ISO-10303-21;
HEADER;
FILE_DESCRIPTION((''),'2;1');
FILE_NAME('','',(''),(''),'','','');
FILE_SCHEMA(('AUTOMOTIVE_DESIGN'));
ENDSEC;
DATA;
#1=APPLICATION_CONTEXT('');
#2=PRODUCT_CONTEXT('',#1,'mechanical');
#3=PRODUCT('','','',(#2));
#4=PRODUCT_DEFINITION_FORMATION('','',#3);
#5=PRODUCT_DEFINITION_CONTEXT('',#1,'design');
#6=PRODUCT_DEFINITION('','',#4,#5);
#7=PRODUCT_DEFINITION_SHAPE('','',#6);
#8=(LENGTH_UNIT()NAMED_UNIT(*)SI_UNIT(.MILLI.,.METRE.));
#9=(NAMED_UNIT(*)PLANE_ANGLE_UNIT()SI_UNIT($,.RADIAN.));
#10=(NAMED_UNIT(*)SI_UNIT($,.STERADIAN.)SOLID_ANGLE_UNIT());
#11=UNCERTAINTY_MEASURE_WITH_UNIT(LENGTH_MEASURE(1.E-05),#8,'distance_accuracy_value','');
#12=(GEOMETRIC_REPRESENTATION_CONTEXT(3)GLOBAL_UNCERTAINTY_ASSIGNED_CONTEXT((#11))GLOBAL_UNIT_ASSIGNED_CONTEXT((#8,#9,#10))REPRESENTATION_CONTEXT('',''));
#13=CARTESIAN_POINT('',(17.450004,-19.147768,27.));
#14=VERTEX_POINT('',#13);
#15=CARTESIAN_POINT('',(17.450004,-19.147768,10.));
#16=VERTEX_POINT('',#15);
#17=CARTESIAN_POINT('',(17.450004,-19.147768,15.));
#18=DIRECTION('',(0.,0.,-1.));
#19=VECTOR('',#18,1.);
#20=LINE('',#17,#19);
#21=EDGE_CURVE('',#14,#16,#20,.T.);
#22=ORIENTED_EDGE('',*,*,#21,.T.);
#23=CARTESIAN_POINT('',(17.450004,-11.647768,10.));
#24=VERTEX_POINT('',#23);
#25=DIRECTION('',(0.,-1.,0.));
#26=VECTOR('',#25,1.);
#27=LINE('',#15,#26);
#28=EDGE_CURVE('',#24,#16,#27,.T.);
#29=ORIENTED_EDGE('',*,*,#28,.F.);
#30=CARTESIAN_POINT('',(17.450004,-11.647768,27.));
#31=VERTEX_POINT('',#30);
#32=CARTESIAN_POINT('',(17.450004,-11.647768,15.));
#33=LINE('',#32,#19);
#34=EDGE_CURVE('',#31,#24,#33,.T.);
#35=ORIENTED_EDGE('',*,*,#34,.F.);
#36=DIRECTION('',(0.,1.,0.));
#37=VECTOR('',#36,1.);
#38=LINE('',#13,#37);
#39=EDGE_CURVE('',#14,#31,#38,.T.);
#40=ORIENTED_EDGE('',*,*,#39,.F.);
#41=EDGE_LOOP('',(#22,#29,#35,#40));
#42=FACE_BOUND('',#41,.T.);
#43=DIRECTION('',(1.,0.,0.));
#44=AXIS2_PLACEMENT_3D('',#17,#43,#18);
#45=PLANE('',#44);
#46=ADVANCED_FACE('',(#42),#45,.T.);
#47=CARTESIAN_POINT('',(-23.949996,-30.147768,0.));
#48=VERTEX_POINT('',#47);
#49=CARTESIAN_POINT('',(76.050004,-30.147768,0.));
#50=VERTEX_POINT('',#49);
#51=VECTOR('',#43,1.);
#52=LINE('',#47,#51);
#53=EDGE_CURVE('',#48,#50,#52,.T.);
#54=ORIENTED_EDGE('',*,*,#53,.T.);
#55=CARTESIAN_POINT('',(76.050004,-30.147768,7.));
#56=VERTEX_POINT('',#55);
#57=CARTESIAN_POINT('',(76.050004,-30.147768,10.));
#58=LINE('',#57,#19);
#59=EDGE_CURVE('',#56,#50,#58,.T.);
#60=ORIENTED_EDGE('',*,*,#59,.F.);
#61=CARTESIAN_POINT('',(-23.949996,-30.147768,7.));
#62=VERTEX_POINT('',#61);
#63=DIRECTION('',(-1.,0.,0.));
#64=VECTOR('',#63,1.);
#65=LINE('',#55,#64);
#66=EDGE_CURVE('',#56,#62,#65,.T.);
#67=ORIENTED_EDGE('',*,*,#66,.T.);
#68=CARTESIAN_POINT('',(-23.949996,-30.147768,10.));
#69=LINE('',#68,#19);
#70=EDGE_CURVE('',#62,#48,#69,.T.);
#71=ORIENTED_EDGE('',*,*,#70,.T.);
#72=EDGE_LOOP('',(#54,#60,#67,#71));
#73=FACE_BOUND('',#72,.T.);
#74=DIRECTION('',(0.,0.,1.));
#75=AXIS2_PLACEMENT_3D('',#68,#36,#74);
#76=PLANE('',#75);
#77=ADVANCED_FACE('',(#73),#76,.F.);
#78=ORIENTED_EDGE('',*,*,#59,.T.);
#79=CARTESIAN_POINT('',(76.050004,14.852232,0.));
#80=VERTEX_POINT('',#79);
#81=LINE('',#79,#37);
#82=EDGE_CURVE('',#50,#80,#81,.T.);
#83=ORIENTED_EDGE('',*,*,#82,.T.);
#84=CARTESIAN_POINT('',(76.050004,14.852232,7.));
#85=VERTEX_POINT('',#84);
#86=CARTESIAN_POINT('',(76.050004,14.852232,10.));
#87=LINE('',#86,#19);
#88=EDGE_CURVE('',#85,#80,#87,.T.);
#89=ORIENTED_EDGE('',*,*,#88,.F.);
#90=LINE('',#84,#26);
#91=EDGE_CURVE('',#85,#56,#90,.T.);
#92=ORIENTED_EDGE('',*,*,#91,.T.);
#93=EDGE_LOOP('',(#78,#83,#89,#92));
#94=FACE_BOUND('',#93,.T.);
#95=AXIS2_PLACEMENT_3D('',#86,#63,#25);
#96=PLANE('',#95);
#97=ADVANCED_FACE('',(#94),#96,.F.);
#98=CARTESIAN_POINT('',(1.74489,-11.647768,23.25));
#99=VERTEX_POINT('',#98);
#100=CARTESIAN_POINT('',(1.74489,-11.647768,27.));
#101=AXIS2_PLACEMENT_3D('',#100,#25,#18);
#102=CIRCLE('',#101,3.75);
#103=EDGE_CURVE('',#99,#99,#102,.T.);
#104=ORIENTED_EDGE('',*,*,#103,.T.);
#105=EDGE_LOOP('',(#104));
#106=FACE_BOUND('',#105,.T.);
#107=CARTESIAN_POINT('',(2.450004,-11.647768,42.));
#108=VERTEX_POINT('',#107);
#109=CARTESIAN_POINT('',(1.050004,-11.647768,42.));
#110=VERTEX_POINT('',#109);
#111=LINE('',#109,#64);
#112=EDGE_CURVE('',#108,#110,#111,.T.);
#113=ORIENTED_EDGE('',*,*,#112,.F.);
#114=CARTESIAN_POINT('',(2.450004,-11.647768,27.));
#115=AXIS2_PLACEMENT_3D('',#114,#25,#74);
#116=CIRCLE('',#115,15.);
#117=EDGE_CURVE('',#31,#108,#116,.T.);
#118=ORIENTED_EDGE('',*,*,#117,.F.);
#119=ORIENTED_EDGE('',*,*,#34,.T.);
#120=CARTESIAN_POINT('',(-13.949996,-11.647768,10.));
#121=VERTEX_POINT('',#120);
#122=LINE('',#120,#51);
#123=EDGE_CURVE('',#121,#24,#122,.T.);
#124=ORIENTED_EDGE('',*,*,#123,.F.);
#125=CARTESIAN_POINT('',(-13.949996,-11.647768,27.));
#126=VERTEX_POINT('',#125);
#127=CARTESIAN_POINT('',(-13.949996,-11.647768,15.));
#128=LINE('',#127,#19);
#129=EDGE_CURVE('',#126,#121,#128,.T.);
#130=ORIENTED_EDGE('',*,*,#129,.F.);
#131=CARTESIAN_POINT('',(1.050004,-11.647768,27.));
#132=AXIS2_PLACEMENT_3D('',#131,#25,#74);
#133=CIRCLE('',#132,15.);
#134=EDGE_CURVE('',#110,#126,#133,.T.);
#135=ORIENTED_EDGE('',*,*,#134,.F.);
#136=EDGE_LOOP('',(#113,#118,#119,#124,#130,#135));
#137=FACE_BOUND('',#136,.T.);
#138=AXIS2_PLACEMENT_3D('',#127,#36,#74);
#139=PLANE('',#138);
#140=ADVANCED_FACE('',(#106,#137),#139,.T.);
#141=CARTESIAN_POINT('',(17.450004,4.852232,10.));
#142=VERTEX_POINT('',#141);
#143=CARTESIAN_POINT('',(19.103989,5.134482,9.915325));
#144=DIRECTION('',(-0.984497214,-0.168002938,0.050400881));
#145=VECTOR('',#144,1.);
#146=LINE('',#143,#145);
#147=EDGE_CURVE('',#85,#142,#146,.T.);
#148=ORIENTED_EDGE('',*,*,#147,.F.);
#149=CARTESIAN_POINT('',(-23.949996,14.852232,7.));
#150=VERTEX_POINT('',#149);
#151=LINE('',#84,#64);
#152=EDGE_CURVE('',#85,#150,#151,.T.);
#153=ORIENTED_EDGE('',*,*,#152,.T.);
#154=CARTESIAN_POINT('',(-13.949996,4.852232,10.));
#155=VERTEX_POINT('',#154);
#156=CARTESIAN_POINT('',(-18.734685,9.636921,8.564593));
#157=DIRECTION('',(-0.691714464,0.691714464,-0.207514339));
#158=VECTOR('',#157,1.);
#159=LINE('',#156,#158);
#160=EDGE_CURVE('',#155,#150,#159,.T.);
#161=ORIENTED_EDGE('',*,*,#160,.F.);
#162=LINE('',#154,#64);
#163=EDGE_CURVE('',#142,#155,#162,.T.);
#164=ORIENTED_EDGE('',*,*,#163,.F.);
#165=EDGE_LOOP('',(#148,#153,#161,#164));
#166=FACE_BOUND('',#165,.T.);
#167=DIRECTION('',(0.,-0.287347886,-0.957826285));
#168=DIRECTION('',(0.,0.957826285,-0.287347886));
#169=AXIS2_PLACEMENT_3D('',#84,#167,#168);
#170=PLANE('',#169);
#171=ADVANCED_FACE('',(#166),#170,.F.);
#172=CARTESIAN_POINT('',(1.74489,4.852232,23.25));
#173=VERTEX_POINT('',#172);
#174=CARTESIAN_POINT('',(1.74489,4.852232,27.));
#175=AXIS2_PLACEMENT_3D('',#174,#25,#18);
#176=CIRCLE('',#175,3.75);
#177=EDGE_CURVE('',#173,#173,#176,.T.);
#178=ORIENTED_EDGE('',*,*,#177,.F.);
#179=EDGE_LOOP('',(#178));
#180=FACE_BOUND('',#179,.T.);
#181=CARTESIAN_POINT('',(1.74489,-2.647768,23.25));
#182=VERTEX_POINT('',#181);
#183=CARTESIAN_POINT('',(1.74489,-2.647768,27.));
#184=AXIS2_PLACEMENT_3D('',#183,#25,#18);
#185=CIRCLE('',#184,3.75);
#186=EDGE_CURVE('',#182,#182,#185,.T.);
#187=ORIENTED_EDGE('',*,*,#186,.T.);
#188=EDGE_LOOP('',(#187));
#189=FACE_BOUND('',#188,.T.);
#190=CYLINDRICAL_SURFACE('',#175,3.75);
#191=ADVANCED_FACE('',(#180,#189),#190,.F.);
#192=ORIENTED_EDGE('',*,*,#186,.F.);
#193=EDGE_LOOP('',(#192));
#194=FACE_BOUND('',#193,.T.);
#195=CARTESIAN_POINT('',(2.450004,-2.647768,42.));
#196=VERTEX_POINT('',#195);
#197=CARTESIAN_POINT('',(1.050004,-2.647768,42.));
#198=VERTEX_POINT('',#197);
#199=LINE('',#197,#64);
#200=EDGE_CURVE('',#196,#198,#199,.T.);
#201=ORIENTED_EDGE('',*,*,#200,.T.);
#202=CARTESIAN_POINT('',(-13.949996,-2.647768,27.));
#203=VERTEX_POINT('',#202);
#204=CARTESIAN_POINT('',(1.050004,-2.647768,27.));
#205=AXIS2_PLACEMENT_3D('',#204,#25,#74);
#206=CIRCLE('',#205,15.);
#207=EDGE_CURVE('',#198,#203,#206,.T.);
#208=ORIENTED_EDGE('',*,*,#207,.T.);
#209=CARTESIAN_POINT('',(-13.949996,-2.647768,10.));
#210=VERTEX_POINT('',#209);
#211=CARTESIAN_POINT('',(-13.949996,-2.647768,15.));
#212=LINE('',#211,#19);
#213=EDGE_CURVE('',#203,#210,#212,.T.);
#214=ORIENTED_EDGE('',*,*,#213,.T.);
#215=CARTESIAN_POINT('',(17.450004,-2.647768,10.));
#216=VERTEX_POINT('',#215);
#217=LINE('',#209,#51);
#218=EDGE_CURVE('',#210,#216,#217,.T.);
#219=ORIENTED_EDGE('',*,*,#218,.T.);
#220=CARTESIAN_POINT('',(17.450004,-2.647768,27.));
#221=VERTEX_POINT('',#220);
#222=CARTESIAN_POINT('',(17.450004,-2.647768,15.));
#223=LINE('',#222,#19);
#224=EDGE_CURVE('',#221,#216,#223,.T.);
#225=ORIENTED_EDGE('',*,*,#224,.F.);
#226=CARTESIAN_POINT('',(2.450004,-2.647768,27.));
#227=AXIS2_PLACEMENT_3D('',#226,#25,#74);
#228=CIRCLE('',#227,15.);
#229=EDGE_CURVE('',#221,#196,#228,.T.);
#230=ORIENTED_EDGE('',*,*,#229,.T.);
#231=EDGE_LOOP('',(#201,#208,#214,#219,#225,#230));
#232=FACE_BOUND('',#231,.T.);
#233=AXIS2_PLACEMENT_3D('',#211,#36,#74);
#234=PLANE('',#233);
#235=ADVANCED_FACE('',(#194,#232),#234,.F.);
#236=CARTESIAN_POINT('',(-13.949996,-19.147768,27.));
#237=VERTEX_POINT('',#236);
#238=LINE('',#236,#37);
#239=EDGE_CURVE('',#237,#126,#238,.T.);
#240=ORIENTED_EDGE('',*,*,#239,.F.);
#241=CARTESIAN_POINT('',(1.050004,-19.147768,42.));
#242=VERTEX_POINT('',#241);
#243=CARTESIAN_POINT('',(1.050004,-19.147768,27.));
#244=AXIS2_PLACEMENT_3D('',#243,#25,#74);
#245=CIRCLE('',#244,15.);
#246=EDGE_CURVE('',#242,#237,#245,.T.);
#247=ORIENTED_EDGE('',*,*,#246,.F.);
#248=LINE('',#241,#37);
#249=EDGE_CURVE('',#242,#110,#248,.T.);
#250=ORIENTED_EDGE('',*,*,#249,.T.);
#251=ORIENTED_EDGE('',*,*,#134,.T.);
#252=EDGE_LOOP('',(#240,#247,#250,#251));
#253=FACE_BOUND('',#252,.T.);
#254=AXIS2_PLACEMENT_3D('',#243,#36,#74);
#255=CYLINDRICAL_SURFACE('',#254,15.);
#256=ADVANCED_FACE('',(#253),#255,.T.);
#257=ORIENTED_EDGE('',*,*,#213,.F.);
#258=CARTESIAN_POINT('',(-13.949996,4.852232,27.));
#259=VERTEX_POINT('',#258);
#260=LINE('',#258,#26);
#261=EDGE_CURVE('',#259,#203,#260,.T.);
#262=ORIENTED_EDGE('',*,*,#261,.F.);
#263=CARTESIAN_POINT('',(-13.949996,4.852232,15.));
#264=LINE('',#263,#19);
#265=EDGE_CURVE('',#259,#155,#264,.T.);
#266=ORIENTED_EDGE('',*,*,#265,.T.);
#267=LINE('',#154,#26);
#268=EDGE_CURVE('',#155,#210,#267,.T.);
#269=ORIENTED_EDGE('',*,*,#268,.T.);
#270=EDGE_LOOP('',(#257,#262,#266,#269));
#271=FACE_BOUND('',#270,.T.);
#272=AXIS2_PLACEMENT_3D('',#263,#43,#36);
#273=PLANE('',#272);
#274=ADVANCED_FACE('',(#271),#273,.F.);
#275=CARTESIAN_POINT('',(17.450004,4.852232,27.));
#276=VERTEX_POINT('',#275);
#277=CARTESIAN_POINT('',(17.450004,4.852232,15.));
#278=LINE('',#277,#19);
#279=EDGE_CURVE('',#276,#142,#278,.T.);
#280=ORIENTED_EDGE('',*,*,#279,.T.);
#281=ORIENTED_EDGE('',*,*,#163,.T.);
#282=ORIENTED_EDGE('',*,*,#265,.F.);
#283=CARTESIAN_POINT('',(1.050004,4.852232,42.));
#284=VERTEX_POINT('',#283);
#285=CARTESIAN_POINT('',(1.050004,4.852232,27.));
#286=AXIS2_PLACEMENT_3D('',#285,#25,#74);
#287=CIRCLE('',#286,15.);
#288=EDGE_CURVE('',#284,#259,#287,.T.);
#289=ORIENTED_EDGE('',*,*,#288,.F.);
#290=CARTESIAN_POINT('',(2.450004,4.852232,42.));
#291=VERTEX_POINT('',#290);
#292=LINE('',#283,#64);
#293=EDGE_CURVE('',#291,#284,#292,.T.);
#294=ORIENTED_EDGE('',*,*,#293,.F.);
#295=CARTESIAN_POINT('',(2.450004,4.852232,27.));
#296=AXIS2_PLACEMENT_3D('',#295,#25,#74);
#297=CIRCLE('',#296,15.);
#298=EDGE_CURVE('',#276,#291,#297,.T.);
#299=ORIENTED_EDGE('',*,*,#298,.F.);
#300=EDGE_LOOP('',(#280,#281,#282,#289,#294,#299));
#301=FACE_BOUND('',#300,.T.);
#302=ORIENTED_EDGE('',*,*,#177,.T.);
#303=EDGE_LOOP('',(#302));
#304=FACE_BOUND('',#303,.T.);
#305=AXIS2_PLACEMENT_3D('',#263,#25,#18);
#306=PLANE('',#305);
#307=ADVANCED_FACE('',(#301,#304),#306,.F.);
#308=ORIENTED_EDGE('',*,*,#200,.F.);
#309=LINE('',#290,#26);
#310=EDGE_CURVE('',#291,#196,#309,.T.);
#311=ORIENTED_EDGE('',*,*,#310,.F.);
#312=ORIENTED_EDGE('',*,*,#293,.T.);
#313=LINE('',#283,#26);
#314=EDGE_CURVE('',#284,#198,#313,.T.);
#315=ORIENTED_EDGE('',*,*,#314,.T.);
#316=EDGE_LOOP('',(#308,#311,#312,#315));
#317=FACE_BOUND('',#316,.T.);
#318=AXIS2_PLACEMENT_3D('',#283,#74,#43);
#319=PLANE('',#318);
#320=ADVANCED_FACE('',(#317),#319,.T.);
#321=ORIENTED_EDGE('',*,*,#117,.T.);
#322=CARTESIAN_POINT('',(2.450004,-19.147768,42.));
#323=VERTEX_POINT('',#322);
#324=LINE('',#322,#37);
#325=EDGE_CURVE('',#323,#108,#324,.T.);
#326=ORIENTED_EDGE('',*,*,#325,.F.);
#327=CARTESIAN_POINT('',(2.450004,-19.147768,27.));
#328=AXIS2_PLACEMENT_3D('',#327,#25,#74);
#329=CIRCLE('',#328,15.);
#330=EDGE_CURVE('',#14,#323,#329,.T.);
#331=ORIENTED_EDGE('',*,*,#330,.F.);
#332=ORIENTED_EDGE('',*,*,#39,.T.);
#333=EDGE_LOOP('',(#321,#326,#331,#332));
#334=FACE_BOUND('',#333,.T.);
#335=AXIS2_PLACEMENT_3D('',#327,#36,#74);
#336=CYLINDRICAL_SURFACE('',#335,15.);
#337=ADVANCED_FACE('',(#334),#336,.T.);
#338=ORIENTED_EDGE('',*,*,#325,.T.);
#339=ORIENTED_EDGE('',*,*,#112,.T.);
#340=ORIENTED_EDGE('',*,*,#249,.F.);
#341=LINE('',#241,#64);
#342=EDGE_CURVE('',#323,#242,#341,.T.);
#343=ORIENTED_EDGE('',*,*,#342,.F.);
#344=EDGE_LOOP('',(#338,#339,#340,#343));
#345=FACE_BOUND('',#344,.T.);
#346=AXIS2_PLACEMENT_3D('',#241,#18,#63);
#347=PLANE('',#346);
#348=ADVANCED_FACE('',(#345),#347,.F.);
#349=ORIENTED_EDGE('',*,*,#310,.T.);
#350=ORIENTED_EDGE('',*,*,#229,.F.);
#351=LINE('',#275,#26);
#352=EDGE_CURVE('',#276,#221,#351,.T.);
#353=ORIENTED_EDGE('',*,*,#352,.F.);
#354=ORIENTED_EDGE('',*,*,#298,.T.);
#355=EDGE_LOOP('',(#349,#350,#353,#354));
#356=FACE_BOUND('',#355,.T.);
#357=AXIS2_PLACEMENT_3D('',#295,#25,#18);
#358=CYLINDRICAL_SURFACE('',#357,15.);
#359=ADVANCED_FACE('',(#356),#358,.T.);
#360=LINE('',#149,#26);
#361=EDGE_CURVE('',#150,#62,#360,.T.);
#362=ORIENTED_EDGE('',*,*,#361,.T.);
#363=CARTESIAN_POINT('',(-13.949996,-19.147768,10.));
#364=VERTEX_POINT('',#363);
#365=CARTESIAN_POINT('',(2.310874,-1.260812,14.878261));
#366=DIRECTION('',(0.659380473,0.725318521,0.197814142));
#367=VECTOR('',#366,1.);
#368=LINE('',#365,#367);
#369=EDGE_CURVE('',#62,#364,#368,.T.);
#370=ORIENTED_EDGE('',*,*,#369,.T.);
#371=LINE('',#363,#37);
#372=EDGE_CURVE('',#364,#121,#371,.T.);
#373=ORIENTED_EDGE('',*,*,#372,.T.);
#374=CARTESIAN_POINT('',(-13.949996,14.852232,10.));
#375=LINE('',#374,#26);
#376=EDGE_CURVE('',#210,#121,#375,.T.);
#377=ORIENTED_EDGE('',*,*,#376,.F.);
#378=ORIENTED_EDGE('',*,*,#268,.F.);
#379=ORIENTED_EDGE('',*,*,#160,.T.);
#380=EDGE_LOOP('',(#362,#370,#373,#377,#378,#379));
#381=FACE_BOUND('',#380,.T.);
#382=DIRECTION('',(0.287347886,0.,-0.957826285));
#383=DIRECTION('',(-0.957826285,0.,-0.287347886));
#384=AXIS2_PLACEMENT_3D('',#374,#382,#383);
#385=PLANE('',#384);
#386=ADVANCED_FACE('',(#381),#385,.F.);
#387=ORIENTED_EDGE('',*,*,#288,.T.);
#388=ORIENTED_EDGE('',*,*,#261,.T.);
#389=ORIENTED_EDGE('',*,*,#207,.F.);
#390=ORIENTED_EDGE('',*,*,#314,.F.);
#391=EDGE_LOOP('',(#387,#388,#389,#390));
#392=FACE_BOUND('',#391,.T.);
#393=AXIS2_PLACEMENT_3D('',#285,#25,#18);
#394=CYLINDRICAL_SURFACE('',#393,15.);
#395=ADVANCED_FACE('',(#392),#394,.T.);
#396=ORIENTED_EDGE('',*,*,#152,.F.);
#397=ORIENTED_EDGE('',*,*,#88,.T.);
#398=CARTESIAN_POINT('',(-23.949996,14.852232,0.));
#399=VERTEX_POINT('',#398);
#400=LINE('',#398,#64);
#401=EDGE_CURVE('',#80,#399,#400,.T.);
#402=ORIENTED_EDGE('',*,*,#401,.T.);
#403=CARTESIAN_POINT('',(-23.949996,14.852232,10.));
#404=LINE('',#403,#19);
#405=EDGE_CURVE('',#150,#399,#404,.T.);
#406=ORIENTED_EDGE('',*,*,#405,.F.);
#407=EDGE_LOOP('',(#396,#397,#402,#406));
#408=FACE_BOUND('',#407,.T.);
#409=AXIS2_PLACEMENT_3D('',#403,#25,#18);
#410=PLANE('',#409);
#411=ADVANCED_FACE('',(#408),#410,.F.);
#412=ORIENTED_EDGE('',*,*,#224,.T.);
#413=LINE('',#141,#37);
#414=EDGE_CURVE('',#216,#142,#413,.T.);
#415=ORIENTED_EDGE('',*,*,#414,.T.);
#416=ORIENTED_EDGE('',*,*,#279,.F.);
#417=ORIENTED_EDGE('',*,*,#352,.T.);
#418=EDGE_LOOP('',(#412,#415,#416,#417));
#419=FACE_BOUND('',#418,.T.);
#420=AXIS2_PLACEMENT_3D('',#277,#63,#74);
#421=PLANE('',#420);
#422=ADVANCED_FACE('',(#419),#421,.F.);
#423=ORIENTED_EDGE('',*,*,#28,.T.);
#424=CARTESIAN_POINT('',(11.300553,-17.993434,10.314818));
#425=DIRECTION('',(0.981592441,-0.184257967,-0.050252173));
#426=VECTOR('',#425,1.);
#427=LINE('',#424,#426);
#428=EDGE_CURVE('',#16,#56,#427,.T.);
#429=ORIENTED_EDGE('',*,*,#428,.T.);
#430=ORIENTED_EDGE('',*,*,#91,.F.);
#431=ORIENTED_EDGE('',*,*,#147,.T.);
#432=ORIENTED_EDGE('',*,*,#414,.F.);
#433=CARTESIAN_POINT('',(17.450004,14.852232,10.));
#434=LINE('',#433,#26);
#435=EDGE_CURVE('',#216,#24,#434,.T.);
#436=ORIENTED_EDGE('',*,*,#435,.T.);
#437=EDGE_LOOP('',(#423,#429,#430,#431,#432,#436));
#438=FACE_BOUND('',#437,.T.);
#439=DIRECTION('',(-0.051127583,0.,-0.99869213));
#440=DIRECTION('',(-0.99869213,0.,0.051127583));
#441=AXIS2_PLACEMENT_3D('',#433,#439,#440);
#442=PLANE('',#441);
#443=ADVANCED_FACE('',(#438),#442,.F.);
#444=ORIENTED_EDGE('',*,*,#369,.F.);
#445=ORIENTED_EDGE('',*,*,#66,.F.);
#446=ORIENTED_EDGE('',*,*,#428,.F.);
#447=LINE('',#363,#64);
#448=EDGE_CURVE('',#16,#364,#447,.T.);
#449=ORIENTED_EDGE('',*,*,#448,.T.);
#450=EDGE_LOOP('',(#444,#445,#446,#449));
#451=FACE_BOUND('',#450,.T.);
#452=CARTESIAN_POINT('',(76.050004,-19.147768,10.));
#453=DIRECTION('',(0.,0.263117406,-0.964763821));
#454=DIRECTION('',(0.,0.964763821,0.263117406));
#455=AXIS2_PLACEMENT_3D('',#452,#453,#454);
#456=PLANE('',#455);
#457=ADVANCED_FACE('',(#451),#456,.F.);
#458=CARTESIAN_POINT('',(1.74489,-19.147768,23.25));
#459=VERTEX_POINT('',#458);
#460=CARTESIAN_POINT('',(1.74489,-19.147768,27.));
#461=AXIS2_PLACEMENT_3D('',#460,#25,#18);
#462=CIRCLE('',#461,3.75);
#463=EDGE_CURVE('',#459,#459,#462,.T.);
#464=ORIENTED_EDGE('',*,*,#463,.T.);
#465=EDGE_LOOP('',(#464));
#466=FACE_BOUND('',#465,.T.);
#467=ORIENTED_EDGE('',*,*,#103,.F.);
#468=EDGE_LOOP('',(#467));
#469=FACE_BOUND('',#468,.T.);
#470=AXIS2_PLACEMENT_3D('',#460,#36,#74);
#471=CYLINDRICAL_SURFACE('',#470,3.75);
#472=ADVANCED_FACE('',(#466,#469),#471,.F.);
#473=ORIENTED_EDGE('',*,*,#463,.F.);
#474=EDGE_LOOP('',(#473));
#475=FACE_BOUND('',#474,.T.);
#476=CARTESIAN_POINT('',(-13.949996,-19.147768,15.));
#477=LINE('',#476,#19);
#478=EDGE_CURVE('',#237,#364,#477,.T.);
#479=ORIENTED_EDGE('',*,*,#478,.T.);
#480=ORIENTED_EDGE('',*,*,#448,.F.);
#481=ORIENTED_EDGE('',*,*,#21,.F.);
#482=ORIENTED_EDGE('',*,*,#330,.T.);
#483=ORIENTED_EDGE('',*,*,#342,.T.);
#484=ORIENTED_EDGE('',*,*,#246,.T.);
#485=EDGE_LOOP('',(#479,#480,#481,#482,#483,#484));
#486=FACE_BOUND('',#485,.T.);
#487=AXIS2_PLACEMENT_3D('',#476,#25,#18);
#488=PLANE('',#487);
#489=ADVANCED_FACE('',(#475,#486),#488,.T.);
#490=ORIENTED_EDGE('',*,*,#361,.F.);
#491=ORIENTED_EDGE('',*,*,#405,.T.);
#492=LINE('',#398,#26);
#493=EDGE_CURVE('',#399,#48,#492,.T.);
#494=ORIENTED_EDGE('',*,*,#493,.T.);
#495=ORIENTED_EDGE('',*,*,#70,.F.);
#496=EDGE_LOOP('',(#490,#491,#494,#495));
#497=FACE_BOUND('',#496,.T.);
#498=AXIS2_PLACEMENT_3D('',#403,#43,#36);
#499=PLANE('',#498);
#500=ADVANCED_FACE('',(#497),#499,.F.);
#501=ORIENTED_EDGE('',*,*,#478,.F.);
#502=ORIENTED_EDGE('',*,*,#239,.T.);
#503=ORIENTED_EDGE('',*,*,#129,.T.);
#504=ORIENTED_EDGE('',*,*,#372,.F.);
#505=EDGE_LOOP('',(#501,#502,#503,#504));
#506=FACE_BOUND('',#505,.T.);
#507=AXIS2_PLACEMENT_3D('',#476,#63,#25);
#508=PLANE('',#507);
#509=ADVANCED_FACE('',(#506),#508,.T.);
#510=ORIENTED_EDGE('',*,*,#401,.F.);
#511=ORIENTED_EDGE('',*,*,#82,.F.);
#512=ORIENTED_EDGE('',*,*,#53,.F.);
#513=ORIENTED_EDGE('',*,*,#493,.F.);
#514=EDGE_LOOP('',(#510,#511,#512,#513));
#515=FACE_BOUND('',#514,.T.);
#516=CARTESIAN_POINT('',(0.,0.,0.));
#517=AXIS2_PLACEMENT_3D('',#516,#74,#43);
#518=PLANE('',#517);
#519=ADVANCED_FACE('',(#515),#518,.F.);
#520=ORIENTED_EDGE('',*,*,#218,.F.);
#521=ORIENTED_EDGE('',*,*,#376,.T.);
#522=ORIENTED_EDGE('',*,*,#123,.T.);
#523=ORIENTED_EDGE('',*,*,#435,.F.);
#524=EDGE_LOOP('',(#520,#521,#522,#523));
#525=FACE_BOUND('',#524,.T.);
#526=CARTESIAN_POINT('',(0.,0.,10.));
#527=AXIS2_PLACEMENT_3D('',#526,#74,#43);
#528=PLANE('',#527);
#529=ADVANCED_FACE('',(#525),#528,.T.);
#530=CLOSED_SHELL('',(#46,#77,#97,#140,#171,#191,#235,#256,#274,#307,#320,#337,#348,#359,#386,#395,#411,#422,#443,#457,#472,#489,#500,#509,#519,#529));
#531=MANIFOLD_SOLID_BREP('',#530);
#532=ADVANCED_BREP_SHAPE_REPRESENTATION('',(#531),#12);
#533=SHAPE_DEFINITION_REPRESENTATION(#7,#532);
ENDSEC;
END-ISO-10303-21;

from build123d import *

# Parameters (mm, degrees)
SKETCH1_W           = 100
SKETCH1_H           = 45
BOSS_EXTRUDE1_DEPTH = 10
SKETCH3_W           = 31.4
SKETCH3_H           = 7.5
BOSS_EXTRUDE2_DEPTH = 5
SKETCH4_R           = 3.75
BOSS_EXTRUDE3_DEPTH = 7.5
CUT_EXTRUDE1_DEPTH  = 45
CUT_EXTRUDE2_DEPTH  = 100


with BuildPart() as part:
    # Sketch1 → Boss-Extrude1 (new body)
    with BuildSketch(Plane.XY):
        with Locations((26.050004349, -7.647768163)):
            Rectangle(SKETCH1_W, SKETCH1_H)
    extrude(amount=BOSS_EXTRUDE1_DEPTH)

    # Sketch3 → Boss-Extrude2 (add)
    with BuildSketch(Plane.XY.offset(10)):
        with Locations((1.750004349, 1.102231837)):
            Rectangle(SKETCH3_W, SKETCH3_H)
    boss_extrude2 = extrude(amount=BOSS_EXTRUDE2_DEPTH)

    # Sketch4 → Boss-Extrude3 (add)
    with BuildSketch(Plane.XZ.offset(2.647768163)):
        with BuildLine():
            Line((-13.949995651, 15), (-13.949995651, 27))
            ThreePointArc((-13.949995651, 27), (-9.556597369, 37.606601718), (1.050004349, 42))
            Line((1.050004349, 42), (2.450004349, 42))
            ThreePointArc((2.450004349, 42), (13.056606067, 37.606601718), (17.450004349, 27))
            Line((17.450004349, 27), (17.450004349, 15))
            Line((17.450004349, 15), (-13.949995651, 15))
        make_face()
        with Locations(Location((1.744890168, 27, 0), (0, 0, 270))):
            Circle(SKETCH4_R, mode=Mode.SUBTRACT)
    boss_extrude3 = extrude(amount=-BOSS_EXTRUDE3_DEPTH)

    # Mirror1: Boss-Extrude2, Boss-Extrude3 across plane
    add(boss_extrude2.mirror(Plane(origin=(0, -7.147768163, 0), x_dir=(0, 0, 1), z_dir=(0, -1, 0))))
    add(boss_extrude3.mirror(Plane(origin=(0, -7.147768163, 0), x_dir=(0, 0, 1), z_dir=(0, -1, 0))))

    # Sketch5 → Cut-Extrude1 (cut)
    with BuildSketch(Plane.XZ.offset(30.147768163)):
        Polygon((-13.949995651, 10), (-23.949995651, 7), (-23.949995651, 10), align=None)
        Polygon((17.450004349, 10), (76.050004349, 7), (76.050004349, 10), align=None)
    extrude(amount=-CUT_EXTRUDE1_DEPTH, mode=Mode.SUBTRACT)

    # Sketch6 → Cut-Extrude2 (cut)
    with BuildSketch(Plane.ZY.offset(23.949995651)):
        Polygon((7, 14.852231837), (10, 4.852231837), (10, 14.852231837), align=None)
        Polygon((10, -19.147768163), (7, -30.147768163), (10, -30.147768163), align=None)
    extrude(amount=-CUT_EXTRUDE2_DEPTH, mode=Mode.SUBTRACT)


solid = part.part
